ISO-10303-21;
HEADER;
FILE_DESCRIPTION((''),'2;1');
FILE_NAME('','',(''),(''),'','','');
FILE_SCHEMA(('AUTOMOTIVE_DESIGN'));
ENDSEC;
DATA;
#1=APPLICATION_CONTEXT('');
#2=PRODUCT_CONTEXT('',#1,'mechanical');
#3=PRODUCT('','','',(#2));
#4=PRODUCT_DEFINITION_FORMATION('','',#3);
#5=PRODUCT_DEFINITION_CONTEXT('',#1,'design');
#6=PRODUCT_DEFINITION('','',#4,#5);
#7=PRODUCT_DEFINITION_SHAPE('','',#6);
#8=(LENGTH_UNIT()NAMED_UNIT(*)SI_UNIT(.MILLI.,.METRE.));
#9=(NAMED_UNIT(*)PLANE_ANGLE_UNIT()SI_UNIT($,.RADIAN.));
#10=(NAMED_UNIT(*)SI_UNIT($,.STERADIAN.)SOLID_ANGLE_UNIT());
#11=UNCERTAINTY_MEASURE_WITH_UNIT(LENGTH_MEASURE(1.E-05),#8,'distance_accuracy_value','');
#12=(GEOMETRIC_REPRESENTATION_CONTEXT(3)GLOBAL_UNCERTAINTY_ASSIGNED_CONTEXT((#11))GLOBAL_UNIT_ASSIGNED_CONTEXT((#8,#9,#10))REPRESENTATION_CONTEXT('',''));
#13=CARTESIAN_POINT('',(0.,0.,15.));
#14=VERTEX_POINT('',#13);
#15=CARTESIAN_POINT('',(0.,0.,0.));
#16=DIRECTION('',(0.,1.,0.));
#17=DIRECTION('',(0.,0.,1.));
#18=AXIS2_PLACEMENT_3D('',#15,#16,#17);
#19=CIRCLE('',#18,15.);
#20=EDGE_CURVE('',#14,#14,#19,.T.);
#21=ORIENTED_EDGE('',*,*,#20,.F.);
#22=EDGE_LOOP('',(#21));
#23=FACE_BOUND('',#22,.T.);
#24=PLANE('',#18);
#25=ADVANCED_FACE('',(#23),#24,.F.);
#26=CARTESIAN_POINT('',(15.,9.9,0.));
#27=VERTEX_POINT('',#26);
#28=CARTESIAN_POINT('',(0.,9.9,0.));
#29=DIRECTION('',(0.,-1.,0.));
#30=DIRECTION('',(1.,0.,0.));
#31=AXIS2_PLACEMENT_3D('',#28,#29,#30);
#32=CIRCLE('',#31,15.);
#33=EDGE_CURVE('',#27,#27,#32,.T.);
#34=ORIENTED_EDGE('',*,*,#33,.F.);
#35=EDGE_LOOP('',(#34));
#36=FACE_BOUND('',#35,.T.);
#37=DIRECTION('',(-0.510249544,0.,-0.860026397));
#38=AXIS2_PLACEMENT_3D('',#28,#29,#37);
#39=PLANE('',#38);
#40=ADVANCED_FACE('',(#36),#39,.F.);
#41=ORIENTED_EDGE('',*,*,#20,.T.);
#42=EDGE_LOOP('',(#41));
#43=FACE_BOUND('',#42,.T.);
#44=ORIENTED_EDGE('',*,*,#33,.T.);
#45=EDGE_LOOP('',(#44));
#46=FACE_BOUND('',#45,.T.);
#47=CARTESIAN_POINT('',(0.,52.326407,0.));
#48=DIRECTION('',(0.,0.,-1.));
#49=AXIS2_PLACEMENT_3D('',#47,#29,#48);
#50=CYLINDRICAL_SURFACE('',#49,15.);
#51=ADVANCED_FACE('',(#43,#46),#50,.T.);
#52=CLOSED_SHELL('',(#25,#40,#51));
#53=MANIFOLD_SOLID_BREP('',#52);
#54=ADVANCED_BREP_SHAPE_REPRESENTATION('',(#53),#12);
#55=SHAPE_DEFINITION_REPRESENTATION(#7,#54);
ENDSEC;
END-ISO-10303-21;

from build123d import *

# Parameters (mm, degrees)
SKETCH_1_R      = 15
EXTRUDE_1_DEPTH = 9.9


with BuildPart() as part:
    # Эскиз1 → Вытянуть1 (new body)
    with BuildSketch(Plane(origin=(0, 0, 0), x_dir=(1, 0, 0), z_dir=(0, 1, 0))):
        Circle(SKETCH_1_R)
    extrude(amount=EXTRUDE_1_DEPTH)


solid = part.part
